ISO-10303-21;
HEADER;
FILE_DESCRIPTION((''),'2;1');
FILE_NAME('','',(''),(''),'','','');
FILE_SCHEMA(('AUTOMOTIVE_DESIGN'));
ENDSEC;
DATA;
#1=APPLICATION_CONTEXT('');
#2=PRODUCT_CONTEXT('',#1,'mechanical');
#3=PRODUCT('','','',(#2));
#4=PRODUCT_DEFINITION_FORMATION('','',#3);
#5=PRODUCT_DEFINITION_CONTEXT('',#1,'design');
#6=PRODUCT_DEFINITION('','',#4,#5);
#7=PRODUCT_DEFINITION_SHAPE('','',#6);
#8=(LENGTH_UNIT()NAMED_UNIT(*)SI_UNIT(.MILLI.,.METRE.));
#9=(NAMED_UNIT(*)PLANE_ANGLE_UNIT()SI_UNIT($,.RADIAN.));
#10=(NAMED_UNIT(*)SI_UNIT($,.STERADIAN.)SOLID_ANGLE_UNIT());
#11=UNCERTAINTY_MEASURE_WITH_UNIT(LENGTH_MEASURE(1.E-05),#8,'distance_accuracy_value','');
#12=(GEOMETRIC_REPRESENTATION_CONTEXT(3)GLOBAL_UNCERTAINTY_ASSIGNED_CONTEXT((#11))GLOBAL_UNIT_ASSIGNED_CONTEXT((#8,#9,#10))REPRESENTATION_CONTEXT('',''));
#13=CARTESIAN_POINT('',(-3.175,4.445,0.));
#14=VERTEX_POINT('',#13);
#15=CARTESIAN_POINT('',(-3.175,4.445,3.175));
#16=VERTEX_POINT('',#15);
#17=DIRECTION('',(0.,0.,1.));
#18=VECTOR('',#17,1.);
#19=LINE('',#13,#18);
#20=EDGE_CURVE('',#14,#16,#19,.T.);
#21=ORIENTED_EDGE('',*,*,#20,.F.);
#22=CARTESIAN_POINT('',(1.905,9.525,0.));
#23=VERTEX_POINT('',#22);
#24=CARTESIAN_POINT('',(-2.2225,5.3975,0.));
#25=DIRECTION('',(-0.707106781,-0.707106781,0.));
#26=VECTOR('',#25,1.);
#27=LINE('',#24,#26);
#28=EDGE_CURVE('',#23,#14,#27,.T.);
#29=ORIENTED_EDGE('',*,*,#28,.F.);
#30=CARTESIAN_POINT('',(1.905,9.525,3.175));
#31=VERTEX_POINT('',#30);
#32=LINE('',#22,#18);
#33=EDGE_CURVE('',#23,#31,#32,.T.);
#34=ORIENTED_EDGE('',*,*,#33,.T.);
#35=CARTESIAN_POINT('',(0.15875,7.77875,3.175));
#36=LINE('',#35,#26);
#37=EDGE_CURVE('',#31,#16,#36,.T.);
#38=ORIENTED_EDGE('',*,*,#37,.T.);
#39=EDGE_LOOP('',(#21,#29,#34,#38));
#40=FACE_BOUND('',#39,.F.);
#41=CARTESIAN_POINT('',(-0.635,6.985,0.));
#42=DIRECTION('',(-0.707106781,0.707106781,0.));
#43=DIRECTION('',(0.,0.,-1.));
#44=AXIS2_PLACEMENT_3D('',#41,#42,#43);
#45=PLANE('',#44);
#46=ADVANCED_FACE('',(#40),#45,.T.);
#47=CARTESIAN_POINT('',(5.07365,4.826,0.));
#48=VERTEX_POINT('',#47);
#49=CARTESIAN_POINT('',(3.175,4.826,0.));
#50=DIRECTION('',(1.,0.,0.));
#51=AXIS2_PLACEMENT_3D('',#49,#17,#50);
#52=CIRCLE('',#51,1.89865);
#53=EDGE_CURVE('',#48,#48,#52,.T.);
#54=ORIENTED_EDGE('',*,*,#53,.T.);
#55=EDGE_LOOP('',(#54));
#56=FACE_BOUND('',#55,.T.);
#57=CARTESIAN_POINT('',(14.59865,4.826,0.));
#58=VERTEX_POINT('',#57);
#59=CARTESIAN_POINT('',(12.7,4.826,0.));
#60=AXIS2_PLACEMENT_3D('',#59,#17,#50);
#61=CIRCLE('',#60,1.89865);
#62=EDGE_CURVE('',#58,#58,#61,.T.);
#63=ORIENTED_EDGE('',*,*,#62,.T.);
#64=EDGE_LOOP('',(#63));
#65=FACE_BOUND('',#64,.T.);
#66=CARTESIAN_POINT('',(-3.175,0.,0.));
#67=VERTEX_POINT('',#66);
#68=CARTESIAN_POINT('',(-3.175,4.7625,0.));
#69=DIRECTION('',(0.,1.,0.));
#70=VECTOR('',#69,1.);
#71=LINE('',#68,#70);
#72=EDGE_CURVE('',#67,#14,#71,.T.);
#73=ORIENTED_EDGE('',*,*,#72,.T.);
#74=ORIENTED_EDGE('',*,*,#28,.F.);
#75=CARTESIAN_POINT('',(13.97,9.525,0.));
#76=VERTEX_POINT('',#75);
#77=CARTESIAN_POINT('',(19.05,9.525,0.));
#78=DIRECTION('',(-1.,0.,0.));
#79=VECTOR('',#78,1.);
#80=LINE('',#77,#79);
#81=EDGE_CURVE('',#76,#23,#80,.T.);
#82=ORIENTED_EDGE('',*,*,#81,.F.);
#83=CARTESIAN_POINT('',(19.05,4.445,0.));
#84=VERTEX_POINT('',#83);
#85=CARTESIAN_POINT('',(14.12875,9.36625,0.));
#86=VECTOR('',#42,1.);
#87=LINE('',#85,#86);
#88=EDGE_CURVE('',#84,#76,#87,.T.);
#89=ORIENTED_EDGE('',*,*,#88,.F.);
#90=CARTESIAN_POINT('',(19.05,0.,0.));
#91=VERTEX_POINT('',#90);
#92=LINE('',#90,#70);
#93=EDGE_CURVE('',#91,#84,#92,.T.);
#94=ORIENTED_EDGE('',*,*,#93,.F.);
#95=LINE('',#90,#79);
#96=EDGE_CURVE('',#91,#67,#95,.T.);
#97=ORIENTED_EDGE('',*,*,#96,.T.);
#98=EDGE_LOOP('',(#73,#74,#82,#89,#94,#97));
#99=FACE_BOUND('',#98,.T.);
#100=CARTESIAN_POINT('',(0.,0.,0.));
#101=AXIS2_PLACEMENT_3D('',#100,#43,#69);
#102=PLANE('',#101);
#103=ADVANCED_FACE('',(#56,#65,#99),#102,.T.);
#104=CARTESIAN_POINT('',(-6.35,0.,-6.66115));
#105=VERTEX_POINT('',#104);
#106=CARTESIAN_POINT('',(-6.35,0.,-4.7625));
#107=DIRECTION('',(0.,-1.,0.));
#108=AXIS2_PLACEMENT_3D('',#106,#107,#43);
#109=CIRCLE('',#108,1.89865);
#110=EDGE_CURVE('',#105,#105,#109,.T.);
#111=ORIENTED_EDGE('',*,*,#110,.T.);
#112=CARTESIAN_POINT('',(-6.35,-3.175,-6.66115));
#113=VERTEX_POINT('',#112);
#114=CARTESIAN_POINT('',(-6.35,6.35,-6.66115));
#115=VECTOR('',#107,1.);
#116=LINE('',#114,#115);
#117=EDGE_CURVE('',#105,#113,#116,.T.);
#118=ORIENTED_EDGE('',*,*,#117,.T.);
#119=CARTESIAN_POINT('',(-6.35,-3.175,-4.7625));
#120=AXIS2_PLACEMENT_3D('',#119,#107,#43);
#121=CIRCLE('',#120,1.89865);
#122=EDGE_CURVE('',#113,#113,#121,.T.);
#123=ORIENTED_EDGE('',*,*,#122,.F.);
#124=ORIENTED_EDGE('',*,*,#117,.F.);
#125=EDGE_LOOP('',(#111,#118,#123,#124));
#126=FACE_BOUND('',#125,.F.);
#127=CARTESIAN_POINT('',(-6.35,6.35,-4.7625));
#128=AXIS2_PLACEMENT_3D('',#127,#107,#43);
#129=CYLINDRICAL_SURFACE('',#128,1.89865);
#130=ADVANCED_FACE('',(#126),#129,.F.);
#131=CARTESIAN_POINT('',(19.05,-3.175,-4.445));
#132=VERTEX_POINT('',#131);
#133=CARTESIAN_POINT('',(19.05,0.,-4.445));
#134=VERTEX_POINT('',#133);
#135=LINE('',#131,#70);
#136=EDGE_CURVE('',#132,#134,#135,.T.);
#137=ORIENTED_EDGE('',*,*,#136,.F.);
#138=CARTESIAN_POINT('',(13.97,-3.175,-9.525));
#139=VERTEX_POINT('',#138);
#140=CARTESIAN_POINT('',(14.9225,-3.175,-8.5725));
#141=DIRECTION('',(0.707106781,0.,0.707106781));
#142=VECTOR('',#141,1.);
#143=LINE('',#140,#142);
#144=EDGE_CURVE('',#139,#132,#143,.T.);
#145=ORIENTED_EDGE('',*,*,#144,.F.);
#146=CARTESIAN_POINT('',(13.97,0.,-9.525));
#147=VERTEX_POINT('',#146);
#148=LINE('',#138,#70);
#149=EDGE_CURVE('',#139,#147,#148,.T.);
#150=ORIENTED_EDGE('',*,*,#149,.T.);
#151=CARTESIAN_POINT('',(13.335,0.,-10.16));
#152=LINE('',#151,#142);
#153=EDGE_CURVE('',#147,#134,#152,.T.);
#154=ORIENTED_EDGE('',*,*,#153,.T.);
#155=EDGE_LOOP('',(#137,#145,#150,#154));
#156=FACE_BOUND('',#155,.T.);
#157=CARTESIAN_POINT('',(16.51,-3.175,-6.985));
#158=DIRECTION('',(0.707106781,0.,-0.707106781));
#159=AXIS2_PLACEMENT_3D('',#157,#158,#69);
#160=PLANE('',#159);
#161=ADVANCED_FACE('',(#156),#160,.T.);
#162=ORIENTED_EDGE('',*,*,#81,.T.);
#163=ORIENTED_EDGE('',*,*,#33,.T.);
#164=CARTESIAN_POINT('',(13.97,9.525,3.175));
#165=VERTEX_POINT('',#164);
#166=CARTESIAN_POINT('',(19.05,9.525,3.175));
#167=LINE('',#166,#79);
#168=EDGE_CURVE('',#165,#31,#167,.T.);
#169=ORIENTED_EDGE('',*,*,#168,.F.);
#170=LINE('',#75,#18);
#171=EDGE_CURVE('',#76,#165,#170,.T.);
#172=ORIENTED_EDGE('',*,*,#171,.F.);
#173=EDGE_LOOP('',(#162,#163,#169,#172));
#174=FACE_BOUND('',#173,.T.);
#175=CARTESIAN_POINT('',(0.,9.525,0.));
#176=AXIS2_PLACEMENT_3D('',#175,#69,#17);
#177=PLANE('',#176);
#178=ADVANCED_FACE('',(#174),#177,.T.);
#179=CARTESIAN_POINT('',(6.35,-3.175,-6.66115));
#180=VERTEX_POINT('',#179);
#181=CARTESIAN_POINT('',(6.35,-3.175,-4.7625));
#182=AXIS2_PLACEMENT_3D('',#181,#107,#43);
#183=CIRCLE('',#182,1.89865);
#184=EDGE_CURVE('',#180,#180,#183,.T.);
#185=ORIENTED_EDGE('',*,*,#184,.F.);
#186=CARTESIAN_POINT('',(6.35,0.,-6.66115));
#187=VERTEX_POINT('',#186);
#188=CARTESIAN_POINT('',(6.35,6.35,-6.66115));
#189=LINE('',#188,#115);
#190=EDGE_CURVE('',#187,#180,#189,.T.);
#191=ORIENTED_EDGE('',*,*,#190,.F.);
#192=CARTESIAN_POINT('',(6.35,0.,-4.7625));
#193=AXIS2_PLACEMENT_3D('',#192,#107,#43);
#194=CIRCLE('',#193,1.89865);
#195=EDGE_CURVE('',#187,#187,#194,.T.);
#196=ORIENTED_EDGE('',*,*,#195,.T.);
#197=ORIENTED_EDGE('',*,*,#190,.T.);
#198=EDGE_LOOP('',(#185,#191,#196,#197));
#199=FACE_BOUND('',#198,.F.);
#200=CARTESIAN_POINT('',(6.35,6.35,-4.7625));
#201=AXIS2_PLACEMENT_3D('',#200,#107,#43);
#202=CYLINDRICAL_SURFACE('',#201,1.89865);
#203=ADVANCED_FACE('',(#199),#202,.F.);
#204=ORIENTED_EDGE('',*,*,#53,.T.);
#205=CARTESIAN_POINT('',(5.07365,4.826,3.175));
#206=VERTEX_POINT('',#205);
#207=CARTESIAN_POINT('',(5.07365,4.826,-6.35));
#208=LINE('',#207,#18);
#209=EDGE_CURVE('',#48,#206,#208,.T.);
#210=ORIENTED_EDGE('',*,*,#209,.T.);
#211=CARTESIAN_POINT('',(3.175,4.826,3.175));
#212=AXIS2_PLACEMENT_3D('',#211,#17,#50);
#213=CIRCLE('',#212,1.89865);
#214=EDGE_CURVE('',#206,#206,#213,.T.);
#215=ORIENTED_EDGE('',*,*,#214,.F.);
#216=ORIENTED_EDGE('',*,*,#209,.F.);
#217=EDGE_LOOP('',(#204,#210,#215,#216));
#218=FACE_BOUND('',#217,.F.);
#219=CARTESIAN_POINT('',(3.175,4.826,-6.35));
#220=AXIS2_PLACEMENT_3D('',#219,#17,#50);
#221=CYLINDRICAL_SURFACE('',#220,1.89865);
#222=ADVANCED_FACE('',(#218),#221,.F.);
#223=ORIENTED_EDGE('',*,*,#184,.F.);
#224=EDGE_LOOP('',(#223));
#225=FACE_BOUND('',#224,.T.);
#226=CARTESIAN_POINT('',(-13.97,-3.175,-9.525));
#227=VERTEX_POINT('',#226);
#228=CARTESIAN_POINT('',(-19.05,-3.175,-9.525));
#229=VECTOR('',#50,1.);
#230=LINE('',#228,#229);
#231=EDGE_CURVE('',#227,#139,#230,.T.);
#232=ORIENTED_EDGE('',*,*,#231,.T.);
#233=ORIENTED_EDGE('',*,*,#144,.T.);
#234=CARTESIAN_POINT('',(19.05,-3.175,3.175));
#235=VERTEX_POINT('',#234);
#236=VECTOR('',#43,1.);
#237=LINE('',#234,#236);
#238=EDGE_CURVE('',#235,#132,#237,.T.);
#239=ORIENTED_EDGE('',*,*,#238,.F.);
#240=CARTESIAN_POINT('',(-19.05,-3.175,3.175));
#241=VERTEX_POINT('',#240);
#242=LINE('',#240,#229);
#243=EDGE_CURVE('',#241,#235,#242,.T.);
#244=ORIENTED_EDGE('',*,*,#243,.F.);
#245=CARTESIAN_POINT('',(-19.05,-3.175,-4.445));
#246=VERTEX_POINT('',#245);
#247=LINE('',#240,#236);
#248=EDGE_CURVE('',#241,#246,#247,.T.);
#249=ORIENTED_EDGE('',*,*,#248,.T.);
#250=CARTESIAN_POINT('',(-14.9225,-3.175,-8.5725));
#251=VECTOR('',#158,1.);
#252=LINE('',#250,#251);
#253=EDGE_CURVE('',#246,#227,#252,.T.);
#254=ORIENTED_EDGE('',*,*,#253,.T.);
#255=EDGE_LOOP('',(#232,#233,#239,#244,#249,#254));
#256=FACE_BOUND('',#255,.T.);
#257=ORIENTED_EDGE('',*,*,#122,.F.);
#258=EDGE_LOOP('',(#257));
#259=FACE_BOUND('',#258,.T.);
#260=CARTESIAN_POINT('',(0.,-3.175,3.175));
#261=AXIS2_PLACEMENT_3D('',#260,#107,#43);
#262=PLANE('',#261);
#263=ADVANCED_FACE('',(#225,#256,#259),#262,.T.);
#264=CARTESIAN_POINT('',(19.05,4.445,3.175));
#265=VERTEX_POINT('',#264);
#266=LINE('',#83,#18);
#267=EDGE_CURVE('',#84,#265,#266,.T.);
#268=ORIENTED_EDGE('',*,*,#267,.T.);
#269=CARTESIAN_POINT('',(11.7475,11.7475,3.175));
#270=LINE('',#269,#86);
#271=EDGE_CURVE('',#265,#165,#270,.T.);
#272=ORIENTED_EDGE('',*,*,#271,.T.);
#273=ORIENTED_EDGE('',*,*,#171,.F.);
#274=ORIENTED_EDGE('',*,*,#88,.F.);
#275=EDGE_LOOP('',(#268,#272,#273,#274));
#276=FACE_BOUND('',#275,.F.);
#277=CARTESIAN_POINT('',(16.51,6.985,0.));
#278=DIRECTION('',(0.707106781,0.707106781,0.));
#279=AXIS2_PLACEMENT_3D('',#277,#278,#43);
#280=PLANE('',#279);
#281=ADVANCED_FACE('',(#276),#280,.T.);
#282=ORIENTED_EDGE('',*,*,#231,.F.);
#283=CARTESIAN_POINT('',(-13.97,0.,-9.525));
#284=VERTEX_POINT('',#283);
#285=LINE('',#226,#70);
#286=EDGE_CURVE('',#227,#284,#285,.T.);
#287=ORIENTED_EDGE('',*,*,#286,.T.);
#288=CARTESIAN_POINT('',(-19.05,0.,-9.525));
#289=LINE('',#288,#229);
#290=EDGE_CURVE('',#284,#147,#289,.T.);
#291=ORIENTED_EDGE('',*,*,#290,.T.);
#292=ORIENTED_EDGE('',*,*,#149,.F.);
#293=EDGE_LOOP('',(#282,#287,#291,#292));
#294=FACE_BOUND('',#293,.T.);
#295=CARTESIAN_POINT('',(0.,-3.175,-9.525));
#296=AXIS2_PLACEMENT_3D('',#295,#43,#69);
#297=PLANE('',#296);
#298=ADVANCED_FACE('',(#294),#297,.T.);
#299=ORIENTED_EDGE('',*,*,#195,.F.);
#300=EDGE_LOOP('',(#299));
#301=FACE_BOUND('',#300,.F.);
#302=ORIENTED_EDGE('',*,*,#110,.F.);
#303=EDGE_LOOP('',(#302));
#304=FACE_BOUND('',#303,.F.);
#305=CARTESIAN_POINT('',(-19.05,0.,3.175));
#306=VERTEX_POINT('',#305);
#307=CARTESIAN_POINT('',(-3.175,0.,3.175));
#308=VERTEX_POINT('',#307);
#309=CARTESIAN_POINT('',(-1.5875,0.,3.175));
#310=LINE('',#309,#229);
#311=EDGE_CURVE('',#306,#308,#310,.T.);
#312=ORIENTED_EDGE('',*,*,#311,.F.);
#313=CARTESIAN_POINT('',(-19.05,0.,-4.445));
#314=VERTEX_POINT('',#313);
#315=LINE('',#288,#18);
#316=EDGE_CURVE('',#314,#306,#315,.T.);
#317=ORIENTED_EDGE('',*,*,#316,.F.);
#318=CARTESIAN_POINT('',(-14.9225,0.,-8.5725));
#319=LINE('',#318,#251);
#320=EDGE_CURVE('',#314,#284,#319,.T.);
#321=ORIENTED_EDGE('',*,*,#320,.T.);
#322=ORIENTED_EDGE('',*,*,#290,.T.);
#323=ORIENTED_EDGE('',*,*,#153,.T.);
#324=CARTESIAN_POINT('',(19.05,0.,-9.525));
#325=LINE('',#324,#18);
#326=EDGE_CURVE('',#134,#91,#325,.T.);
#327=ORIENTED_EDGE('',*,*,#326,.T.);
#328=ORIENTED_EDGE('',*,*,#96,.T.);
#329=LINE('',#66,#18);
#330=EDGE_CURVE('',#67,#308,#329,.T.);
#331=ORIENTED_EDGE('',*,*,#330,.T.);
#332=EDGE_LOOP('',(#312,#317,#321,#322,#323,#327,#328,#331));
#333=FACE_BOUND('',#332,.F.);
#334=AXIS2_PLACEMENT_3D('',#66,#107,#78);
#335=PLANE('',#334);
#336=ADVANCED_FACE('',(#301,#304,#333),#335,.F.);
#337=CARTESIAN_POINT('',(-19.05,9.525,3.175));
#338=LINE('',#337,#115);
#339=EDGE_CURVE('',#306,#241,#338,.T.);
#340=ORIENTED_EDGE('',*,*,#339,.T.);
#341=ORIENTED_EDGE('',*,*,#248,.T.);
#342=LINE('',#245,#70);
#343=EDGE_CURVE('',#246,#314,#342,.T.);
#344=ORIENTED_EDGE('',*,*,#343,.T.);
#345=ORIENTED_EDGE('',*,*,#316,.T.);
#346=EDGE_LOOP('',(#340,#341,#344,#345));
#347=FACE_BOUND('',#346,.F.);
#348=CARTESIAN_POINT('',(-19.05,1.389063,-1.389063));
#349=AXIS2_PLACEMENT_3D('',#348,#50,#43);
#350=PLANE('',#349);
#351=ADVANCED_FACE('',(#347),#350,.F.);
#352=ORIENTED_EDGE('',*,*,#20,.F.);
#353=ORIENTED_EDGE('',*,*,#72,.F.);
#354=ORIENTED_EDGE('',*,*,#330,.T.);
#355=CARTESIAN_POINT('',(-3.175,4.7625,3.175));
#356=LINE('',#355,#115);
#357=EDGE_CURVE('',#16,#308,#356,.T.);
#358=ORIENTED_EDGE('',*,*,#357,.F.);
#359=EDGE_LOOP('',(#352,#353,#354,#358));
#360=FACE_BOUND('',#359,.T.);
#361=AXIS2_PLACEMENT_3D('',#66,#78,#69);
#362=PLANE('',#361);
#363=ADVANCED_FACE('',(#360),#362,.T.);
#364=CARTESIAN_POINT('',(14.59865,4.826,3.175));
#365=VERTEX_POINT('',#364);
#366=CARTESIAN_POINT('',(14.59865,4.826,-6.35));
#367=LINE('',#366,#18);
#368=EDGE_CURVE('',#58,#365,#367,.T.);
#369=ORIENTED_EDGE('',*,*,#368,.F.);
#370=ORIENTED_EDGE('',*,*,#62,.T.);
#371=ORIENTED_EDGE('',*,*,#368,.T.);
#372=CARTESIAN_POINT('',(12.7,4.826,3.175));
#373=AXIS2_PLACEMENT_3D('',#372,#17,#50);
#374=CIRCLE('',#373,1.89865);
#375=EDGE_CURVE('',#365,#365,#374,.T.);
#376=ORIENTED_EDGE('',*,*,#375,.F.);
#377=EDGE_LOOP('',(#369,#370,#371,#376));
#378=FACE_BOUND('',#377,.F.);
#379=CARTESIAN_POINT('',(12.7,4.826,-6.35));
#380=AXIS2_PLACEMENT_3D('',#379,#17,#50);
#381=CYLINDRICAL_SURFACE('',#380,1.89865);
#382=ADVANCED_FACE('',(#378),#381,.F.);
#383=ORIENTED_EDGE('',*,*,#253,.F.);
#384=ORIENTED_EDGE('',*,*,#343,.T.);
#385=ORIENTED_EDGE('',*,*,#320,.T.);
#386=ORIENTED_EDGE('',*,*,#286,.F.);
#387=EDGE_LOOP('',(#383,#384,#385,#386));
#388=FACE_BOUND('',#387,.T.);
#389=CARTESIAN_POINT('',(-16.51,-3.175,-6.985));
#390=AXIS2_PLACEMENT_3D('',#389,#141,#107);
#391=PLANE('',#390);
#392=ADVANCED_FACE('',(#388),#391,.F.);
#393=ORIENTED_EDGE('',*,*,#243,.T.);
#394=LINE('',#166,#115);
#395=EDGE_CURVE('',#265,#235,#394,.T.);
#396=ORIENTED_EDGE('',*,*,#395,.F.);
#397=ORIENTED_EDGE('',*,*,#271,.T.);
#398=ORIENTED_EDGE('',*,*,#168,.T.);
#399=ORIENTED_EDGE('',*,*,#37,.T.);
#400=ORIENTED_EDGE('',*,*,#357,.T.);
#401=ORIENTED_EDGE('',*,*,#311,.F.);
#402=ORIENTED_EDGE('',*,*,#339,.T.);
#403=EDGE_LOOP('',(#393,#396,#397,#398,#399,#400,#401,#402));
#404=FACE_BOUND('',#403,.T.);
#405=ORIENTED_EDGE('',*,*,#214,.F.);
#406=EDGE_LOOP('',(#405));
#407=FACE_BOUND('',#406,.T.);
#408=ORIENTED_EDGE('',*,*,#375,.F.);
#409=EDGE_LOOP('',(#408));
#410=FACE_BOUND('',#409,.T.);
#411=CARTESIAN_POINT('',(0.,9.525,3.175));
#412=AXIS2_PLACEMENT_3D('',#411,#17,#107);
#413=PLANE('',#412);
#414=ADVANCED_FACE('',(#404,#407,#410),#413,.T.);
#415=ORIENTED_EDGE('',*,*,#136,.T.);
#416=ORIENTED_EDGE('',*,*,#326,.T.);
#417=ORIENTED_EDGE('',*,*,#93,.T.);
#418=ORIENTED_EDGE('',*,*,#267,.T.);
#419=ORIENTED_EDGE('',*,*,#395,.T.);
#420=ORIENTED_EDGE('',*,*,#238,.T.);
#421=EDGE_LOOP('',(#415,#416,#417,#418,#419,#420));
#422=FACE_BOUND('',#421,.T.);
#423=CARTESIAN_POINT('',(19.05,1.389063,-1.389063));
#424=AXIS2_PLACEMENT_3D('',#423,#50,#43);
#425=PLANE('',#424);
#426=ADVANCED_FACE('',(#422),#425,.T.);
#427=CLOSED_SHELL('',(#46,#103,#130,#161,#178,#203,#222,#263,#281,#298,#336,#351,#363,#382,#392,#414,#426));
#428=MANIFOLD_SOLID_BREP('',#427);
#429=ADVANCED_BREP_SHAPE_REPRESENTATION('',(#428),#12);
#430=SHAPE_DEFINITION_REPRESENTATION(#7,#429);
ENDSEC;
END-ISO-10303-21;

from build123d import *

# Parameters (mm, degrees)
EXTRUDE1_DEPTH                      = 19.05
EXTRUDE1_DEPTH_BACK                 = 19.05
F_6_CLEARANCE_HOLE1_D               = 3.7973
F_6_CLEARANCE_HOLE1_DEPTH           = 6.35
F_6_CLEARANCE_HOLE1_TIP             = 1.140824014
F_6_CLEARANCE_HOLE1_ON_FACE_2_D     = 3.7973
F_6_CLEARANCE_HOLE1_ON_FACE_2_DEPTH = 6.35
F_6_CLEARANCE_HOLE1_ON_FACE_2_TIP   = 1.140824014
SKETCH3_W                           = 15.875
SKETCH3_H                           = 9.525
CUT_EXTRUDE1_DEPTH                  = 4.175
CHAMFER1_SIZE                       = 5.08


with BuildPart() as part:
    # Sketch1 → Extrude1 (new body, two sides)
    with BuildSketch(Plane(origin=(0, 0, 0), x_dir=(0, 0, -1), z_dir=(1, 0, 0))) as extrude1_sk:
        Polygon((-3.175, 9.525), (-3.175, -3.175), (9.525, -3.175), (9.525, 0), (0, 0), (0, 9.525), align=None)
    extrude(amount=EXTRUDE1_DEPTH)
    extrude(extrude1_sk.sketch, amount=-EXTRUDE1_DEPTH_BACK)

    # 6 Clearance Hole1
    with Locations(Plane(origin=(6.35, 0, -4.7625), x_dir=(0, 0, 1), z_dir=(0, 1, 0))):
        with Locations((0, 0), (0, -12.7)):
            Hole(F_6_CLEARANCE_HOLE1_D / 2, depth=F_6_CLEARANCE_HOLE1_DEPTH)
            with Locations((0, 0, -(F_6_CLEARANCE_HOLE1_DEPTH + F_6_CLEARANCE_HOLE1_TIP / 2))):  # 118° drill point
                Cone(0, F_6_CLEARANCE_HOLE1_D / 2, F_6_CLEARANCE_HOLE1_TIP, mode=Mode.SUBTRACT)

    # 6 Clearance Hole1 on face 2
    with Locations(Plane(origin=(3.175, 4.826, 0), x_dir=(-1, 0, 0), z_dir=(0, 0, -1))):
        with Locations((0, 0), (-9.525, 0)):
            Hole(F_6_CLEARANCE_HOLE1_ON_FACE_2_D / 2, depth=F_6_CLEARANCE_HOLE1_ON_FACE_2_DEPTH)
            with Locations((0, 0, -(F_6_CLEARANCE_HOLE1_ON_FACE_2_DEPTH + F_6_CLEARANCE_HOLE1_ON_FACE_2_TIP / 2))):  # 118° drill point
                Cone(0, F_6_CLEARANCE_HOLE1_ON_FACE_2_D / 2, F_6_CLEARANCE_HOLE1_ON_FACE_2_TIP, mode=Mode.SUBTRACT)

    # Sketch3 → Cut-Extrude1 (cut, through all)
    with BuildSketch(Plane(origin=(0, 0, 0), x_dir=(-1, 0, 0), z_dir=(0, 0, -1))):
        with Locations((11.1125, 4.7625)):
            Rectangle(SKETCH3_W, SKETCH3_H)
    extrude(amount=-CUT_EXTRUDE1_DEPTH, mode=Mode.SUBTRACT)

    # Chamfer1
    chamfer1_edges = [part.edges().sort_by_distance(p)[0] for p in [
        (19.05, -1.5875, -9.525),
        (-19.05, -1.5875, -9.525),
        (19.05, 9.525, 1.5875),
        (-3.175, 9.525, 1.5875),
    ]]
    chamfer(chamfer1_edges, length=CHAMFER1_SIZE)


solid = part.part
